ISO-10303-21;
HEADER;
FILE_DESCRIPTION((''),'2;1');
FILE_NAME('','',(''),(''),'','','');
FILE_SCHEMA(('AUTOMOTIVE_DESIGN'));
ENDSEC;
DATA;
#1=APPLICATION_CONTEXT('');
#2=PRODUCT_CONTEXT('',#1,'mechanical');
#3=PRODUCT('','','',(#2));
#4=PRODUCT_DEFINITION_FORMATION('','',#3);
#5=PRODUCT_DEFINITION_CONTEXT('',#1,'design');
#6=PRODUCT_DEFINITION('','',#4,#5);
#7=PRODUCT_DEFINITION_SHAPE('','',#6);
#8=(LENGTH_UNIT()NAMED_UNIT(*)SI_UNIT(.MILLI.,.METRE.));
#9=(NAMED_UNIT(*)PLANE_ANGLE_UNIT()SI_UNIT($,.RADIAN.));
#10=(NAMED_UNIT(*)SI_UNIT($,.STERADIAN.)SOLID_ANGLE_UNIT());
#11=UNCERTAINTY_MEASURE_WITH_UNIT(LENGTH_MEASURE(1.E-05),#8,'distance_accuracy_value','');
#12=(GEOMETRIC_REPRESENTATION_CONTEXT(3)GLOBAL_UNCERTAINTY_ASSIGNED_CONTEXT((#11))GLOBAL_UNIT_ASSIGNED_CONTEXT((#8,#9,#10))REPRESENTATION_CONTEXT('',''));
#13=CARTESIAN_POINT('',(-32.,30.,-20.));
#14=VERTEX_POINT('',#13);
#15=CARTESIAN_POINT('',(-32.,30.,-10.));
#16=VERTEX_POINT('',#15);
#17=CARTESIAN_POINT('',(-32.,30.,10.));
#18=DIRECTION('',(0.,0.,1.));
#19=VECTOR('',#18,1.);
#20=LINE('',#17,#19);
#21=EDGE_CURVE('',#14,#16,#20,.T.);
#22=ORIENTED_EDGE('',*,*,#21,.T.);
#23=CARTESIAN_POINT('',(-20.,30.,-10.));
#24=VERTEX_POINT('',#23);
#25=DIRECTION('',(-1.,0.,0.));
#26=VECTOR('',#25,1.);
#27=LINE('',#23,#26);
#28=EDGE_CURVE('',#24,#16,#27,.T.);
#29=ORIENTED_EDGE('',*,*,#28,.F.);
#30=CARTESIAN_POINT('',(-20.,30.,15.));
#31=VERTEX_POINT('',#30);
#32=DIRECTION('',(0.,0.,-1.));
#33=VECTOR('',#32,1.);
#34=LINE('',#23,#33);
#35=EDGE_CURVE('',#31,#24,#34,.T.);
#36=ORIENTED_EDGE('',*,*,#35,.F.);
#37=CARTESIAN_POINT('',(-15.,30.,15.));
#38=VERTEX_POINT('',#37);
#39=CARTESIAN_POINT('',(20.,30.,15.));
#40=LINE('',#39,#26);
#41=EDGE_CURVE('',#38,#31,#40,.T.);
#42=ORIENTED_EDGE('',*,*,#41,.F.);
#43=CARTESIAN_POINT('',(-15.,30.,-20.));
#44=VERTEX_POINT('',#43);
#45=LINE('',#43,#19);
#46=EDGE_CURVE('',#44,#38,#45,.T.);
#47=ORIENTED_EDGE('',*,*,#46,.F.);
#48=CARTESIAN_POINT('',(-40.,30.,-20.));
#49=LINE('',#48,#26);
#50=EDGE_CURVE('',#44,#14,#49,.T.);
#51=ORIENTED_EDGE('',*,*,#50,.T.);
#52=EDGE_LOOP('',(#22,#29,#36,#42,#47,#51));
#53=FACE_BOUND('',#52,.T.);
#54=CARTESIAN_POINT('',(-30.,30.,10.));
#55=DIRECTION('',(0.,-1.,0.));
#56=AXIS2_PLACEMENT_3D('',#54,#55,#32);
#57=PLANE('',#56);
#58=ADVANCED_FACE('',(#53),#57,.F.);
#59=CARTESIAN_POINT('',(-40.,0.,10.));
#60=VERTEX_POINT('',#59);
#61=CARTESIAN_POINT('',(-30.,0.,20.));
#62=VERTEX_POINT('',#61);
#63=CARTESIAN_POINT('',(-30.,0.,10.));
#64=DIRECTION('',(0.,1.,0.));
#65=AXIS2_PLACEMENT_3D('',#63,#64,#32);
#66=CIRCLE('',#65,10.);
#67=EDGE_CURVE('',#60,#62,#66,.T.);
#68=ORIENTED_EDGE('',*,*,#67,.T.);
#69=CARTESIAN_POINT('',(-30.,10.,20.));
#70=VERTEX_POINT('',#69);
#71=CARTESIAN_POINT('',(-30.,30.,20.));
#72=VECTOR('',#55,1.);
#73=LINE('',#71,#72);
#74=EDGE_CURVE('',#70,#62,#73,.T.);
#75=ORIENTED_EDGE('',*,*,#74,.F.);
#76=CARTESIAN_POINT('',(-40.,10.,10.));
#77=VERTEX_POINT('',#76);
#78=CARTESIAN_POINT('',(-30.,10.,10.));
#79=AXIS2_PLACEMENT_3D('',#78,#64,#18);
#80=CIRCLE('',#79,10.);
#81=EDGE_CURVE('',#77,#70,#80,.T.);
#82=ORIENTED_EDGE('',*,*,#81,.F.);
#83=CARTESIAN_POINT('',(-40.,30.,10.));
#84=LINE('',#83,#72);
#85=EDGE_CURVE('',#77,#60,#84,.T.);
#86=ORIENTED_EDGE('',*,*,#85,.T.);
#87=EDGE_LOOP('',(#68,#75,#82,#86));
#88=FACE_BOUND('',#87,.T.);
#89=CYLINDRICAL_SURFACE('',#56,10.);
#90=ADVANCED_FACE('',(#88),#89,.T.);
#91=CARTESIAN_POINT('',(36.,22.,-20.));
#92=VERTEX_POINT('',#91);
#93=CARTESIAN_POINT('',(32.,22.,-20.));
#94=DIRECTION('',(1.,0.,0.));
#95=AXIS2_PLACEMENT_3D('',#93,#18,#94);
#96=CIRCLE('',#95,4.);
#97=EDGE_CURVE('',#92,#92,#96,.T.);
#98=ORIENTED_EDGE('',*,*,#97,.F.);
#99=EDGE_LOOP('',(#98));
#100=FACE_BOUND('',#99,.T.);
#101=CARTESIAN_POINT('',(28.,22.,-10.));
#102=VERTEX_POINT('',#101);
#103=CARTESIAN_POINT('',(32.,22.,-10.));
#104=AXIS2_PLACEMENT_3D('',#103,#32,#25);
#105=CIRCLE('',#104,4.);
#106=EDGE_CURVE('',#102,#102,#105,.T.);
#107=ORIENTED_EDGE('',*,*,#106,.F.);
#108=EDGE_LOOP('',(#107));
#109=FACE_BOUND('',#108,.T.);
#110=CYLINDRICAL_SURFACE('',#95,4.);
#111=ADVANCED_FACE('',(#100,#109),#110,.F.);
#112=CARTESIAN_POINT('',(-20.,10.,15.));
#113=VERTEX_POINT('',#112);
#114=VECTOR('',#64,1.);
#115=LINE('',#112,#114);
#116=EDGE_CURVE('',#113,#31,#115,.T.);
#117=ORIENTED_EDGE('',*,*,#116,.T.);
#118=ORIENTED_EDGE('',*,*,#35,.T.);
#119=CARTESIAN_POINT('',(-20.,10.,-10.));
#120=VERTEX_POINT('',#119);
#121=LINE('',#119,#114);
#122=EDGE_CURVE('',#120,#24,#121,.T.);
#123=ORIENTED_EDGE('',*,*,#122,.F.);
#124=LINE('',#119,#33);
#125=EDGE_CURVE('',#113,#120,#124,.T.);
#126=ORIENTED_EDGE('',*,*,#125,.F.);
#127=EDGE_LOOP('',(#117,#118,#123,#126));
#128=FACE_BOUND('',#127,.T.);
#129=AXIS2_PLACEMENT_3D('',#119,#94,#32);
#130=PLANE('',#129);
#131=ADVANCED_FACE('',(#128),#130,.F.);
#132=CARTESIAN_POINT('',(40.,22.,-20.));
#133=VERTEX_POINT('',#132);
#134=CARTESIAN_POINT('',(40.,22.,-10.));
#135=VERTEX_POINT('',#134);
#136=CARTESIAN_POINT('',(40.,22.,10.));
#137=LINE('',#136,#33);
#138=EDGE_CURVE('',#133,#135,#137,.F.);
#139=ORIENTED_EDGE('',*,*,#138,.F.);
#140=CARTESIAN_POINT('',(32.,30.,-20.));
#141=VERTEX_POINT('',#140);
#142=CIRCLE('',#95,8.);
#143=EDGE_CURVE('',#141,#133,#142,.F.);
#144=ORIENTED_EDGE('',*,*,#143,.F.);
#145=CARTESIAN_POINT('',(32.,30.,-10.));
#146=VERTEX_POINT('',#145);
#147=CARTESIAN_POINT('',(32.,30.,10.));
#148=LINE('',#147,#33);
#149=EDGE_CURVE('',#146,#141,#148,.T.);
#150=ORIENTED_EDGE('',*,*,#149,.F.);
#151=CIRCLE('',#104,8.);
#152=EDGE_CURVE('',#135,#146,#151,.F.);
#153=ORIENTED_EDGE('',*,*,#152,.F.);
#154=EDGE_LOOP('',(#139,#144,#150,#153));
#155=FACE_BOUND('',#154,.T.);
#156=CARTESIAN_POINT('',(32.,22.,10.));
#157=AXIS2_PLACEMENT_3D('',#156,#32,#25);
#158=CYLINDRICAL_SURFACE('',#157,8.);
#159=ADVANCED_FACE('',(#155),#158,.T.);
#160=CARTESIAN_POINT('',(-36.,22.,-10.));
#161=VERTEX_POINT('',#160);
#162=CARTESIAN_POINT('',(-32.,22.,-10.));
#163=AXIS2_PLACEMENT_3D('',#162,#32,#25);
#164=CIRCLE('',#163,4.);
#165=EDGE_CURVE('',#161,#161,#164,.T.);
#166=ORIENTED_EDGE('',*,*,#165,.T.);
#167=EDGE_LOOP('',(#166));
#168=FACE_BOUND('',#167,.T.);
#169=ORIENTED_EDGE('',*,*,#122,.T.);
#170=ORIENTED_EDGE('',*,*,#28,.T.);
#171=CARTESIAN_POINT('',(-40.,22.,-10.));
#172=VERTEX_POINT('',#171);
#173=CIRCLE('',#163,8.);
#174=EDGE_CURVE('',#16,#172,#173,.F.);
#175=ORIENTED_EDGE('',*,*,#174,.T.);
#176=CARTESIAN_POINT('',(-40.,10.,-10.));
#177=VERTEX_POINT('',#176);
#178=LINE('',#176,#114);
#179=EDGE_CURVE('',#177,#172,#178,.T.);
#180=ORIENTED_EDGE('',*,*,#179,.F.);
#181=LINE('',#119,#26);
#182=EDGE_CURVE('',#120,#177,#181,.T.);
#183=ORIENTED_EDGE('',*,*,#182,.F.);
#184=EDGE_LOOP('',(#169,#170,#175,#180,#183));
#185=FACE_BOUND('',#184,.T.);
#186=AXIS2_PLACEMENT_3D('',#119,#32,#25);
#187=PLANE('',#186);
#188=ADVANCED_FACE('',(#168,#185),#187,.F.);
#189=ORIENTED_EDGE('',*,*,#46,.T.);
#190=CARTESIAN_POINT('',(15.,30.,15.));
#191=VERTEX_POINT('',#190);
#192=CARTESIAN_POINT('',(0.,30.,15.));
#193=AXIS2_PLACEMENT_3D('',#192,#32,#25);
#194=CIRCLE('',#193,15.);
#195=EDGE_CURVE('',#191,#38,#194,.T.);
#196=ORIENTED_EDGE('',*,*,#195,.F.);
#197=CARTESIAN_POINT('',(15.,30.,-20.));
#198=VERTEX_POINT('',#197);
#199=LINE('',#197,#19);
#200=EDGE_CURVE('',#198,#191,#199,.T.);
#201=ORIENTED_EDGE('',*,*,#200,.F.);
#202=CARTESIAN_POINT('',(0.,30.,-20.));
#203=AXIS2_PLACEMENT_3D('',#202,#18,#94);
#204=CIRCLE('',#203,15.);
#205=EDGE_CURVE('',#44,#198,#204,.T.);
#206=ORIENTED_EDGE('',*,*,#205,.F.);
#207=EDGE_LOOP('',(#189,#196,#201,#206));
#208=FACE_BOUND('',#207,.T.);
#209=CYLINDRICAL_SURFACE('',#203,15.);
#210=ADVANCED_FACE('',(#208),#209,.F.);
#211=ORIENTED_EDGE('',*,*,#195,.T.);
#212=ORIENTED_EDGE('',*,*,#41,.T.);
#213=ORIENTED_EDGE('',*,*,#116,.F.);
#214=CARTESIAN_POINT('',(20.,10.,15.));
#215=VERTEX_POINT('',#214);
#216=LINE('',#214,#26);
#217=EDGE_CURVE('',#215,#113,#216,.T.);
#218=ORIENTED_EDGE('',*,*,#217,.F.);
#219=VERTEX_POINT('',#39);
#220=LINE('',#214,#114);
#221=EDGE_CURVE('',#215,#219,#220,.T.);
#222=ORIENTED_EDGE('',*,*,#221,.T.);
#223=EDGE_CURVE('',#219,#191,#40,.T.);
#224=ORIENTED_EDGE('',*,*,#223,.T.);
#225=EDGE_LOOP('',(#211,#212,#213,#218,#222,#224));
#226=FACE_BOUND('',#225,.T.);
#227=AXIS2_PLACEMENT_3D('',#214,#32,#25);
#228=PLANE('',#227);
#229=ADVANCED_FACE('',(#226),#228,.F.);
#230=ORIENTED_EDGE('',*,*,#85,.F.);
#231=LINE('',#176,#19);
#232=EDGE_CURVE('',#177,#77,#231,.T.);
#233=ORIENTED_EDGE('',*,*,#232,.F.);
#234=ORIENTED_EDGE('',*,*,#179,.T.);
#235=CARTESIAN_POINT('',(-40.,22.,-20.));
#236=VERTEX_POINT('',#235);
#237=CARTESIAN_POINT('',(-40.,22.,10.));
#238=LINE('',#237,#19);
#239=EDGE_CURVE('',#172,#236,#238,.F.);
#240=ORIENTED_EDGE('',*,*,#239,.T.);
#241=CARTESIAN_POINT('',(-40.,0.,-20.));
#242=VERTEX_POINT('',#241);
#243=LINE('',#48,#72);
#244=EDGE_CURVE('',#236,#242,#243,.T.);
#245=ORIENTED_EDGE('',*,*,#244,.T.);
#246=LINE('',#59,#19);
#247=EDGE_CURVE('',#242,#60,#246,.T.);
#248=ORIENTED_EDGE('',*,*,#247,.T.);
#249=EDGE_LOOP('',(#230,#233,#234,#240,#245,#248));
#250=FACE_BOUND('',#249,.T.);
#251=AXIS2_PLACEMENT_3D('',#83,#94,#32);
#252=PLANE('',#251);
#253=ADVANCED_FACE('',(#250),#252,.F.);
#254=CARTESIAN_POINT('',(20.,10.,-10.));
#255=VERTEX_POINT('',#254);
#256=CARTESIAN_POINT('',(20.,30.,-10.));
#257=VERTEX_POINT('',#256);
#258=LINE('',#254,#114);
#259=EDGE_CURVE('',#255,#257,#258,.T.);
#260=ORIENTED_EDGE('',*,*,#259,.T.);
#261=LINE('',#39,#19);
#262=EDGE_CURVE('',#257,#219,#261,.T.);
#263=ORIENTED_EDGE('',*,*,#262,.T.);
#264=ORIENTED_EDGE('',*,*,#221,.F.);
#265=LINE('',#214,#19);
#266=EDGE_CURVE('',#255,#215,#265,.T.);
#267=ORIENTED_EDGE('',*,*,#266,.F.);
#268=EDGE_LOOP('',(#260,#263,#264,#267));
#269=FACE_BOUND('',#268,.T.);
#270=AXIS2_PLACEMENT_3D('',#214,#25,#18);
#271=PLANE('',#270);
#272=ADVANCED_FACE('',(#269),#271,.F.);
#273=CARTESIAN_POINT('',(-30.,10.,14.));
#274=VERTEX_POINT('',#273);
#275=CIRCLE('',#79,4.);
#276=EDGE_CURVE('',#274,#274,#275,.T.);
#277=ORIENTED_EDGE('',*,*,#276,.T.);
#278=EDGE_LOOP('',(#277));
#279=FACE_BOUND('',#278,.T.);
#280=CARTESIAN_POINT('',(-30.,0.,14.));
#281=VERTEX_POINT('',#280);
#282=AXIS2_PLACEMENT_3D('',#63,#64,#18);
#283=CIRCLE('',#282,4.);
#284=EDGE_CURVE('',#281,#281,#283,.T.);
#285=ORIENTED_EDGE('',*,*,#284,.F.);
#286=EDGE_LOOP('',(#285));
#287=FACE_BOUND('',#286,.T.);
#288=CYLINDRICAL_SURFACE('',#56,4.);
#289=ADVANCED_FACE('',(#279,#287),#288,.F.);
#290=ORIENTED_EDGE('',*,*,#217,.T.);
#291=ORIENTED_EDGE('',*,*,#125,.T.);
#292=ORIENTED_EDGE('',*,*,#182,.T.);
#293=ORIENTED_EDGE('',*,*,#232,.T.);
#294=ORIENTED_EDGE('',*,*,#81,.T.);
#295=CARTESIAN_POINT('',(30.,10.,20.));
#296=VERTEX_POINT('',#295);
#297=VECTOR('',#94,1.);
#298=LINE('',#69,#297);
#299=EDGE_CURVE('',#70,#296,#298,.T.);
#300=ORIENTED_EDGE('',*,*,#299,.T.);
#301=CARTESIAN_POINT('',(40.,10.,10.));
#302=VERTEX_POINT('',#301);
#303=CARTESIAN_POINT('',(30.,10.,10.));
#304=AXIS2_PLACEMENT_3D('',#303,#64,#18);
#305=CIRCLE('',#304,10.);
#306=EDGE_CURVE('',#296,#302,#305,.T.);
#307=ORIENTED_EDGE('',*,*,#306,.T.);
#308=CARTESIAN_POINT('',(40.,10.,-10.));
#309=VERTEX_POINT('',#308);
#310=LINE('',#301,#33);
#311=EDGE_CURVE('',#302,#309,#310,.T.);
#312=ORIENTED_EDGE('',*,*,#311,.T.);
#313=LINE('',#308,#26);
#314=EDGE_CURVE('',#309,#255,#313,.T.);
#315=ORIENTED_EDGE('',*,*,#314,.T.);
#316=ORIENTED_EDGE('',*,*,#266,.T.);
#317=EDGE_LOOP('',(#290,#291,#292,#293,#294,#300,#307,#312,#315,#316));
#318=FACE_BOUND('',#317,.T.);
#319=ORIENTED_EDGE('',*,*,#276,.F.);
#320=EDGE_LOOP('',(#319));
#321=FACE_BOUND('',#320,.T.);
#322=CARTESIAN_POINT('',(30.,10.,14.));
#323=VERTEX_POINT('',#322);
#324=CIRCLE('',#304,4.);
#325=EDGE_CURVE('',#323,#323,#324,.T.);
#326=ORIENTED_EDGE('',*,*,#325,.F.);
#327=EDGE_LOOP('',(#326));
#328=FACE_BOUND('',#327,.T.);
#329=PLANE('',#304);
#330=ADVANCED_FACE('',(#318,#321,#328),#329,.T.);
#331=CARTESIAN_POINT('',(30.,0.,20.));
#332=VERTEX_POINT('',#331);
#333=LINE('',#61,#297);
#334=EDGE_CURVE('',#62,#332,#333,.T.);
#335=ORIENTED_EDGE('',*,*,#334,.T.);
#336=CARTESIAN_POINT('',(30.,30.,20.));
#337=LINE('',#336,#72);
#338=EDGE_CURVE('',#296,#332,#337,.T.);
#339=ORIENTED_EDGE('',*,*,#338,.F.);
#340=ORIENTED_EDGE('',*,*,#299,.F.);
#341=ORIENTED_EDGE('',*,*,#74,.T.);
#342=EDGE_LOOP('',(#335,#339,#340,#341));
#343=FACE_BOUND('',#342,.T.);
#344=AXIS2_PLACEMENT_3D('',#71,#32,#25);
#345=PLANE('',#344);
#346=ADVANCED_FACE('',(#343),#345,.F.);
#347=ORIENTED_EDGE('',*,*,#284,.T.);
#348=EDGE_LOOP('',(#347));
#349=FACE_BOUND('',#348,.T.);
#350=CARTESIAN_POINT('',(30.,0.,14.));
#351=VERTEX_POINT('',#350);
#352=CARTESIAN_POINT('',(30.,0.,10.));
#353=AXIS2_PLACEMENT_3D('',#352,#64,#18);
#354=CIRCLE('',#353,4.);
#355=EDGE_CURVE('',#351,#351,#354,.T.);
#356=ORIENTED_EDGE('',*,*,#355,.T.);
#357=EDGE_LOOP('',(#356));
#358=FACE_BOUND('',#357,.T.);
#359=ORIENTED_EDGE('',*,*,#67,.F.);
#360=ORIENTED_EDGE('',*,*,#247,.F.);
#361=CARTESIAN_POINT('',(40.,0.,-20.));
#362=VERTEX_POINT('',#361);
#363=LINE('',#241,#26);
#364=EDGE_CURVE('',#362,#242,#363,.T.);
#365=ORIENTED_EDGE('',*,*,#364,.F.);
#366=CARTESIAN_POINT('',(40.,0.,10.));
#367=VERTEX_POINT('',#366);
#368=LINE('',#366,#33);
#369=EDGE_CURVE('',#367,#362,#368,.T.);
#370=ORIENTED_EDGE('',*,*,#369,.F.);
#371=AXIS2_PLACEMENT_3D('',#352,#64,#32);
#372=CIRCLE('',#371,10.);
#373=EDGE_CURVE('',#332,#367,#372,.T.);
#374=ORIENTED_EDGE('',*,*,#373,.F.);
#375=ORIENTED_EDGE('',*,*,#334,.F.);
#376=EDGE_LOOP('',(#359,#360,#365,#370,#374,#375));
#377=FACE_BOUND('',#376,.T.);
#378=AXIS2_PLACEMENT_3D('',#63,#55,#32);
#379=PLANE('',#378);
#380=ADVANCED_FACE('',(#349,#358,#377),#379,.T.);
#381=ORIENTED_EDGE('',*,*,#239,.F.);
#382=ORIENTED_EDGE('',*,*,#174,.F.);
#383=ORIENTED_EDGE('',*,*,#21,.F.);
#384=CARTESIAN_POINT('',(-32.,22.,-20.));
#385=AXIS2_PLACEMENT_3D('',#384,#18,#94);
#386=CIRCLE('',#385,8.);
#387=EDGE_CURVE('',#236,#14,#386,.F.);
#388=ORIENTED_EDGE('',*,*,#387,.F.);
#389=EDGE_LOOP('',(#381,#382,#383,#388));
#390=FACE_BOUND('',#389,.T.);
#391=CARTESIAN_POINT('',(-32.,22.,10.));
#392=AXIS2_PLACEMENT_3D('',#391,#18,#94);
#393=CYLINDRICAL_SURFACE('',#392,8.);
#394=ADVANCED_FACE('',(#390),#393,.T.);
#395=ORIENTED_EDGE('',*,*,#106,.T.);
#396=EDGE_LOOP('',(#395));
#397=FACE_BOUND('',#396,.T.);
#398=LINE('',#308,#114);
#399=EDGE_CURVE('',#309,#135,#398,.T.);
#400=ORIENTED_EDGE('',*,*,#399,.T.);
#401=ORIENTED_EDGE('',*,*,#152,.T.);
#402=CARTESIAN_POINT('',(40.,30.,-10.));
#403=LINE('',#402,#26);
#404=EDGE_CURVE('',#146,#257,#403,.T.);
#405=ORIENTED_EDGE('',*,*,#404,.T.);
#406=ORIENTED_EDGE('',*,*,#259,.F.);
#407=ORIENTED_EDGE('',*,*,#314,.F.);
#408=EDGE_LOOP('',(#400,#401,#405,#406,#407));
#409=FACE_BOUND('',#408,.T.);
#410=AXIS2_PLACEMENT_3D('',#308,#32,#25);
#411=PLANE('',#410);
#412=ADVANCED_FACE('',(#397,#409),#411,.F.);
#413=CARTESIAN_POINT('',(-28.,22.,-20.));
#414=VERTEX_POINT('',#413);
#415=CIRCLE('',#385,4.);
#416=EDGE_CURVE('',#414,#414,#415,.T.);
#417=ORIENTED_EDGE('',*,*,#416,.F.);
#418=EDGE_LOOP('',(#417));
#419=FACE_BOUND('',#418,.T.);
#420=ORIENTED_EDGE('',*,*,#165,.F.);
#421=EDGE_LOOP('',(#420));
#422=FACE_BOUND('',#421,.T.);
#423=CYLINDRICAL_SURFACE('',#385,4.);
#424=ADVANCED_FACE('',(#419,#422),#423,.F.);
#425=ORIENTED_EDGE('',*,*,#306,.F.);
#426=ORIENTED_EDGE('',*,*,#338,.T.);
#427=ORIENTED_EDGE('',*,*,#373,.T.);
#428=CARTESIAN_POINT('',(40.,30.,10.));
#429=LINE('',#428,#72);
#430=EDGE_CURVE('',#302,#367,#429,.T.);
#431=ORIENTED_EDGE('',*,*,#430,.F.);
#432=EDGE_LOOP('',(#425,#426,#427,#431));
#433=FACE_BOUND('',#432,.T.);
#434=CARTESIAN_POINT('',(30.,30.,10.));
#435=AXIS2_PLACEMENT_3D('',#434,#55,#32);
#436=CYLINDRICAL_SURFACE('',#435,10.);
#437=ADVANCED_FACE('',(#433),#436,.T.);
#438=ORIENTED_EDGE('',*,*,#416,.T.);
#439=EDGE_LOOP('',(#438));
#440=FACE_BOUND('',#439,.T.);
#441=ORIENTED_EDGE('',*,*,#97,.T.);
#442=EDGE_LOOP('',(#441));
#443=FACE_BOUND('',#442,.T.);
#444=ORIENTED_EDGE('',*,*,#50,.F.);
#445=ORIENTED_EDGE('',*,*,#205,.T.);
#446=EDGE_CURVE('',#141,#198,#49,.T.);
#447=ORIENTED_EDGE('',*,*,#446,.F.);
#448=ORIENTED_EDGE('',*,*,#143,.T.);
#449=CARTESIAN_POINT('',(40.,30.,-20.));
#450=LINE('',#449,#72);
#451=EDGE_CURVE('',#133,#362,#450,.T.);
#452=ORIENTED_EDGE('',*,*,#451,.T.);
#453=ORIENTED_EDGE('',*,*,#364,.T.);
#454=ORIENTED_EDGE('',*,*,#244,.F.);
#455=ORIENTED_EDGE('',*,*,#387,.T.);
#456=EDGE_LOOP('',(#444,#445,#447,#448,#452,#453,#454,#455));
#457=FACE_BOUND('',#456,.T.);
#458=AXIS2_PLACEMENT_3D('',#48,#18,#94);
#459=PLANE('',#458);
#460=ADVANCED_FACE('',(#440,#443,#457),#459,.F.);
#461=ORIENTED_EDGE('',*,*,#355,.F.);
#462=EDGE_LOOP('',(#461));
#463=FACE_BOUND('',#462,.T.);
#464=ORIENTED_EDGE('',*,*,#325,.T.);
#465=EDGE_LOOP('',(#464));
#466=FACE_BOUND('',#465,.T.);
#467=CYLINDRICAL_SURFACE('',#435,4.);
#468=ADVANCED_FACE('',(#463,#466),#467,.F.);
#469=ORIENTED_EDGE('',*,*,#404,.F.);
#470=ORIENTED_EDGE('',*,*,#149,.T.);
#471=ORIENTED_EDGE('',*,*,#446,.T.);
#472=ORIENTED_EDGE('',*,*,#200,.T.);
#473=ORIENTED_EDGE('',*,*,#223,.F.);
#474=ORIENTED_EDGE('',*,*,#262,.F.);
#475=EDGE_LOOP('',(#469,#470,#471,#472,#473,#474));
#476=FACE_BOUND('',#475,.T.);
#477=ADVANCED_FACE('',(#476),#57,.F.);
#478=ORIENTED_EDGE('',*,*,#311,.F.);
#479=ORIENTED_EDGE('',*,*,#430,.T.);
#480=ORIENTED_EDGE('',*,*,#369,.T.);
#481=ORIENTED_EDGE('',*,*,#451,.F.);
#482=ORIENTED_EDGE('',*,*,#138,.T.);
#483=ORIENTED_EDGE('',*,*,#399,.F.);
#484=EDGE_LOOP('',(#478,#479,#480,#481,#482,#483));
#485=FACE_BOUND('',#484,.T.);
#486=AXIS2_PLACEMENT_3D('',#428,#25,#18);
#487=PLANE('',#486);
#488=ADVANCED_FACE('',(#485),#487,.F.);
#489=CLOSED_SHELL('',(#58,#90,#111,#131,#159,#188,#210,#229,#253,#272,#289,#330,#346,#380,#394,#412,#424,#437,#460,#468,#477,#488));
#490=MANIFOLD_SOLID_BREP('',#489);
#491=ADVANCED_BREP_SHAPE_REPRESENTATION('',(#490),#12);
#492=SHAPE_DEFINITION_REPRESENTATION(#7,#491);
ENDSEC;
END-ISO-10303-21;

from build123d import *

# Parameters (mm, degrees)
SKETCH_1_R          = 4
EXTRUDE_1_DEPTH     = 30
CUT_EXTRUDE_1_DEPTH = 20
FILLET_1_R          = 8
SKETCH_3_R          = 4
CUT_EXTRUDE_2_DEPTH = 41


with BuildPart() as part:
    # 스케치1 → 보스-돌출1 (new body)
    with BuildSketch(Plane(origin=(0, 0, 0), x_dir=(1, 0, 0), z_dir=(0, 1, 0))):
        with BuildLine():
            Line((-30, -20), (30, -20))
            ThreePointArc((30, -20), (37.071067812, -17.071067812), (40, -10))
            Line((40, -10), (40, 20))
            Line((40, 20), (-40, 20))
            Line((-40, 20), (-40, -10))
            ThreePointArc((-40, -10), (-37.071067812, -17.071067812), (-30, -20))
        make_face()
        with Locations(Location((-30, -10, 0), (0, 0, 270))):  # turned: the seam where the file's is
            Circle(SKETCH_1_R, mode=Mode.SUBTRACT)
        with Locations(Location((30, -10, 0), (0, 0, 270))):  # turned: the seam where the file's is
            Circle(SKETCH_1_R, mode=Mode.SUBTRACT)
    extrude(amount=EXTRUDE_1_DEPTH)

    # 스케치2 → 컷-돌출1 (cut)
    with BuildSketch(Plane(origin=(0, 30, 0), x_dir=(1, 0, 0), z_dir=(0, 1, 0))):
        with BuildLine():
            Line((40, -10), (40, 10))
            Line((40, 10), (20, 10))
            Line((20, 10), (20, -15))
            Line((20, -15), (-20, -15))
            Line((-20, -15), (-20, 10))
            Line((-20, 10), (-40, 10))
            Line((-40, 10), (-40, -10))
            ThreePointArc((-40, -10), (-37.071067812, -17.071067812), (-30, -20))
            Line((-30, -20), (30, -20))
            ThreePointArc((30, -20), (37.071067812, -17.071067812), (40, -10))
        make_face()
    extrude(amount=-CUT_EXTRUDE_1_DEPTH, mode=Mode.SUBTRACT)

    # 필렛1
    fillet_1_edges = [part.edges().sort_by_distance(p)[0] for p in [
        (-40, 30, -15),
        (40, 30, -15),
    ]]
    fillet(fillet_1_edges, radius=FILLET_1_R)

    # 스케치3 → 컷-돌출2 (cut, through all)
    with BuildSketch(Plane.XY.offset(20)):
        with Locations((-32, 22)):
            Circle(SKETCH_3_R)
        with Locations((32, 22)):
            Circle(SKETCH_3_R)
        with BuildLine():
            Line((15, 30), (-15, 30))
            ThreePointArc((-15, 30), (0, 15), (15, 30))
        make_face()
    extrude(amount=-CUT_EXTRUDE_2_DEPTH, mode=Mode.SUBTRACT)


solid = part.part
